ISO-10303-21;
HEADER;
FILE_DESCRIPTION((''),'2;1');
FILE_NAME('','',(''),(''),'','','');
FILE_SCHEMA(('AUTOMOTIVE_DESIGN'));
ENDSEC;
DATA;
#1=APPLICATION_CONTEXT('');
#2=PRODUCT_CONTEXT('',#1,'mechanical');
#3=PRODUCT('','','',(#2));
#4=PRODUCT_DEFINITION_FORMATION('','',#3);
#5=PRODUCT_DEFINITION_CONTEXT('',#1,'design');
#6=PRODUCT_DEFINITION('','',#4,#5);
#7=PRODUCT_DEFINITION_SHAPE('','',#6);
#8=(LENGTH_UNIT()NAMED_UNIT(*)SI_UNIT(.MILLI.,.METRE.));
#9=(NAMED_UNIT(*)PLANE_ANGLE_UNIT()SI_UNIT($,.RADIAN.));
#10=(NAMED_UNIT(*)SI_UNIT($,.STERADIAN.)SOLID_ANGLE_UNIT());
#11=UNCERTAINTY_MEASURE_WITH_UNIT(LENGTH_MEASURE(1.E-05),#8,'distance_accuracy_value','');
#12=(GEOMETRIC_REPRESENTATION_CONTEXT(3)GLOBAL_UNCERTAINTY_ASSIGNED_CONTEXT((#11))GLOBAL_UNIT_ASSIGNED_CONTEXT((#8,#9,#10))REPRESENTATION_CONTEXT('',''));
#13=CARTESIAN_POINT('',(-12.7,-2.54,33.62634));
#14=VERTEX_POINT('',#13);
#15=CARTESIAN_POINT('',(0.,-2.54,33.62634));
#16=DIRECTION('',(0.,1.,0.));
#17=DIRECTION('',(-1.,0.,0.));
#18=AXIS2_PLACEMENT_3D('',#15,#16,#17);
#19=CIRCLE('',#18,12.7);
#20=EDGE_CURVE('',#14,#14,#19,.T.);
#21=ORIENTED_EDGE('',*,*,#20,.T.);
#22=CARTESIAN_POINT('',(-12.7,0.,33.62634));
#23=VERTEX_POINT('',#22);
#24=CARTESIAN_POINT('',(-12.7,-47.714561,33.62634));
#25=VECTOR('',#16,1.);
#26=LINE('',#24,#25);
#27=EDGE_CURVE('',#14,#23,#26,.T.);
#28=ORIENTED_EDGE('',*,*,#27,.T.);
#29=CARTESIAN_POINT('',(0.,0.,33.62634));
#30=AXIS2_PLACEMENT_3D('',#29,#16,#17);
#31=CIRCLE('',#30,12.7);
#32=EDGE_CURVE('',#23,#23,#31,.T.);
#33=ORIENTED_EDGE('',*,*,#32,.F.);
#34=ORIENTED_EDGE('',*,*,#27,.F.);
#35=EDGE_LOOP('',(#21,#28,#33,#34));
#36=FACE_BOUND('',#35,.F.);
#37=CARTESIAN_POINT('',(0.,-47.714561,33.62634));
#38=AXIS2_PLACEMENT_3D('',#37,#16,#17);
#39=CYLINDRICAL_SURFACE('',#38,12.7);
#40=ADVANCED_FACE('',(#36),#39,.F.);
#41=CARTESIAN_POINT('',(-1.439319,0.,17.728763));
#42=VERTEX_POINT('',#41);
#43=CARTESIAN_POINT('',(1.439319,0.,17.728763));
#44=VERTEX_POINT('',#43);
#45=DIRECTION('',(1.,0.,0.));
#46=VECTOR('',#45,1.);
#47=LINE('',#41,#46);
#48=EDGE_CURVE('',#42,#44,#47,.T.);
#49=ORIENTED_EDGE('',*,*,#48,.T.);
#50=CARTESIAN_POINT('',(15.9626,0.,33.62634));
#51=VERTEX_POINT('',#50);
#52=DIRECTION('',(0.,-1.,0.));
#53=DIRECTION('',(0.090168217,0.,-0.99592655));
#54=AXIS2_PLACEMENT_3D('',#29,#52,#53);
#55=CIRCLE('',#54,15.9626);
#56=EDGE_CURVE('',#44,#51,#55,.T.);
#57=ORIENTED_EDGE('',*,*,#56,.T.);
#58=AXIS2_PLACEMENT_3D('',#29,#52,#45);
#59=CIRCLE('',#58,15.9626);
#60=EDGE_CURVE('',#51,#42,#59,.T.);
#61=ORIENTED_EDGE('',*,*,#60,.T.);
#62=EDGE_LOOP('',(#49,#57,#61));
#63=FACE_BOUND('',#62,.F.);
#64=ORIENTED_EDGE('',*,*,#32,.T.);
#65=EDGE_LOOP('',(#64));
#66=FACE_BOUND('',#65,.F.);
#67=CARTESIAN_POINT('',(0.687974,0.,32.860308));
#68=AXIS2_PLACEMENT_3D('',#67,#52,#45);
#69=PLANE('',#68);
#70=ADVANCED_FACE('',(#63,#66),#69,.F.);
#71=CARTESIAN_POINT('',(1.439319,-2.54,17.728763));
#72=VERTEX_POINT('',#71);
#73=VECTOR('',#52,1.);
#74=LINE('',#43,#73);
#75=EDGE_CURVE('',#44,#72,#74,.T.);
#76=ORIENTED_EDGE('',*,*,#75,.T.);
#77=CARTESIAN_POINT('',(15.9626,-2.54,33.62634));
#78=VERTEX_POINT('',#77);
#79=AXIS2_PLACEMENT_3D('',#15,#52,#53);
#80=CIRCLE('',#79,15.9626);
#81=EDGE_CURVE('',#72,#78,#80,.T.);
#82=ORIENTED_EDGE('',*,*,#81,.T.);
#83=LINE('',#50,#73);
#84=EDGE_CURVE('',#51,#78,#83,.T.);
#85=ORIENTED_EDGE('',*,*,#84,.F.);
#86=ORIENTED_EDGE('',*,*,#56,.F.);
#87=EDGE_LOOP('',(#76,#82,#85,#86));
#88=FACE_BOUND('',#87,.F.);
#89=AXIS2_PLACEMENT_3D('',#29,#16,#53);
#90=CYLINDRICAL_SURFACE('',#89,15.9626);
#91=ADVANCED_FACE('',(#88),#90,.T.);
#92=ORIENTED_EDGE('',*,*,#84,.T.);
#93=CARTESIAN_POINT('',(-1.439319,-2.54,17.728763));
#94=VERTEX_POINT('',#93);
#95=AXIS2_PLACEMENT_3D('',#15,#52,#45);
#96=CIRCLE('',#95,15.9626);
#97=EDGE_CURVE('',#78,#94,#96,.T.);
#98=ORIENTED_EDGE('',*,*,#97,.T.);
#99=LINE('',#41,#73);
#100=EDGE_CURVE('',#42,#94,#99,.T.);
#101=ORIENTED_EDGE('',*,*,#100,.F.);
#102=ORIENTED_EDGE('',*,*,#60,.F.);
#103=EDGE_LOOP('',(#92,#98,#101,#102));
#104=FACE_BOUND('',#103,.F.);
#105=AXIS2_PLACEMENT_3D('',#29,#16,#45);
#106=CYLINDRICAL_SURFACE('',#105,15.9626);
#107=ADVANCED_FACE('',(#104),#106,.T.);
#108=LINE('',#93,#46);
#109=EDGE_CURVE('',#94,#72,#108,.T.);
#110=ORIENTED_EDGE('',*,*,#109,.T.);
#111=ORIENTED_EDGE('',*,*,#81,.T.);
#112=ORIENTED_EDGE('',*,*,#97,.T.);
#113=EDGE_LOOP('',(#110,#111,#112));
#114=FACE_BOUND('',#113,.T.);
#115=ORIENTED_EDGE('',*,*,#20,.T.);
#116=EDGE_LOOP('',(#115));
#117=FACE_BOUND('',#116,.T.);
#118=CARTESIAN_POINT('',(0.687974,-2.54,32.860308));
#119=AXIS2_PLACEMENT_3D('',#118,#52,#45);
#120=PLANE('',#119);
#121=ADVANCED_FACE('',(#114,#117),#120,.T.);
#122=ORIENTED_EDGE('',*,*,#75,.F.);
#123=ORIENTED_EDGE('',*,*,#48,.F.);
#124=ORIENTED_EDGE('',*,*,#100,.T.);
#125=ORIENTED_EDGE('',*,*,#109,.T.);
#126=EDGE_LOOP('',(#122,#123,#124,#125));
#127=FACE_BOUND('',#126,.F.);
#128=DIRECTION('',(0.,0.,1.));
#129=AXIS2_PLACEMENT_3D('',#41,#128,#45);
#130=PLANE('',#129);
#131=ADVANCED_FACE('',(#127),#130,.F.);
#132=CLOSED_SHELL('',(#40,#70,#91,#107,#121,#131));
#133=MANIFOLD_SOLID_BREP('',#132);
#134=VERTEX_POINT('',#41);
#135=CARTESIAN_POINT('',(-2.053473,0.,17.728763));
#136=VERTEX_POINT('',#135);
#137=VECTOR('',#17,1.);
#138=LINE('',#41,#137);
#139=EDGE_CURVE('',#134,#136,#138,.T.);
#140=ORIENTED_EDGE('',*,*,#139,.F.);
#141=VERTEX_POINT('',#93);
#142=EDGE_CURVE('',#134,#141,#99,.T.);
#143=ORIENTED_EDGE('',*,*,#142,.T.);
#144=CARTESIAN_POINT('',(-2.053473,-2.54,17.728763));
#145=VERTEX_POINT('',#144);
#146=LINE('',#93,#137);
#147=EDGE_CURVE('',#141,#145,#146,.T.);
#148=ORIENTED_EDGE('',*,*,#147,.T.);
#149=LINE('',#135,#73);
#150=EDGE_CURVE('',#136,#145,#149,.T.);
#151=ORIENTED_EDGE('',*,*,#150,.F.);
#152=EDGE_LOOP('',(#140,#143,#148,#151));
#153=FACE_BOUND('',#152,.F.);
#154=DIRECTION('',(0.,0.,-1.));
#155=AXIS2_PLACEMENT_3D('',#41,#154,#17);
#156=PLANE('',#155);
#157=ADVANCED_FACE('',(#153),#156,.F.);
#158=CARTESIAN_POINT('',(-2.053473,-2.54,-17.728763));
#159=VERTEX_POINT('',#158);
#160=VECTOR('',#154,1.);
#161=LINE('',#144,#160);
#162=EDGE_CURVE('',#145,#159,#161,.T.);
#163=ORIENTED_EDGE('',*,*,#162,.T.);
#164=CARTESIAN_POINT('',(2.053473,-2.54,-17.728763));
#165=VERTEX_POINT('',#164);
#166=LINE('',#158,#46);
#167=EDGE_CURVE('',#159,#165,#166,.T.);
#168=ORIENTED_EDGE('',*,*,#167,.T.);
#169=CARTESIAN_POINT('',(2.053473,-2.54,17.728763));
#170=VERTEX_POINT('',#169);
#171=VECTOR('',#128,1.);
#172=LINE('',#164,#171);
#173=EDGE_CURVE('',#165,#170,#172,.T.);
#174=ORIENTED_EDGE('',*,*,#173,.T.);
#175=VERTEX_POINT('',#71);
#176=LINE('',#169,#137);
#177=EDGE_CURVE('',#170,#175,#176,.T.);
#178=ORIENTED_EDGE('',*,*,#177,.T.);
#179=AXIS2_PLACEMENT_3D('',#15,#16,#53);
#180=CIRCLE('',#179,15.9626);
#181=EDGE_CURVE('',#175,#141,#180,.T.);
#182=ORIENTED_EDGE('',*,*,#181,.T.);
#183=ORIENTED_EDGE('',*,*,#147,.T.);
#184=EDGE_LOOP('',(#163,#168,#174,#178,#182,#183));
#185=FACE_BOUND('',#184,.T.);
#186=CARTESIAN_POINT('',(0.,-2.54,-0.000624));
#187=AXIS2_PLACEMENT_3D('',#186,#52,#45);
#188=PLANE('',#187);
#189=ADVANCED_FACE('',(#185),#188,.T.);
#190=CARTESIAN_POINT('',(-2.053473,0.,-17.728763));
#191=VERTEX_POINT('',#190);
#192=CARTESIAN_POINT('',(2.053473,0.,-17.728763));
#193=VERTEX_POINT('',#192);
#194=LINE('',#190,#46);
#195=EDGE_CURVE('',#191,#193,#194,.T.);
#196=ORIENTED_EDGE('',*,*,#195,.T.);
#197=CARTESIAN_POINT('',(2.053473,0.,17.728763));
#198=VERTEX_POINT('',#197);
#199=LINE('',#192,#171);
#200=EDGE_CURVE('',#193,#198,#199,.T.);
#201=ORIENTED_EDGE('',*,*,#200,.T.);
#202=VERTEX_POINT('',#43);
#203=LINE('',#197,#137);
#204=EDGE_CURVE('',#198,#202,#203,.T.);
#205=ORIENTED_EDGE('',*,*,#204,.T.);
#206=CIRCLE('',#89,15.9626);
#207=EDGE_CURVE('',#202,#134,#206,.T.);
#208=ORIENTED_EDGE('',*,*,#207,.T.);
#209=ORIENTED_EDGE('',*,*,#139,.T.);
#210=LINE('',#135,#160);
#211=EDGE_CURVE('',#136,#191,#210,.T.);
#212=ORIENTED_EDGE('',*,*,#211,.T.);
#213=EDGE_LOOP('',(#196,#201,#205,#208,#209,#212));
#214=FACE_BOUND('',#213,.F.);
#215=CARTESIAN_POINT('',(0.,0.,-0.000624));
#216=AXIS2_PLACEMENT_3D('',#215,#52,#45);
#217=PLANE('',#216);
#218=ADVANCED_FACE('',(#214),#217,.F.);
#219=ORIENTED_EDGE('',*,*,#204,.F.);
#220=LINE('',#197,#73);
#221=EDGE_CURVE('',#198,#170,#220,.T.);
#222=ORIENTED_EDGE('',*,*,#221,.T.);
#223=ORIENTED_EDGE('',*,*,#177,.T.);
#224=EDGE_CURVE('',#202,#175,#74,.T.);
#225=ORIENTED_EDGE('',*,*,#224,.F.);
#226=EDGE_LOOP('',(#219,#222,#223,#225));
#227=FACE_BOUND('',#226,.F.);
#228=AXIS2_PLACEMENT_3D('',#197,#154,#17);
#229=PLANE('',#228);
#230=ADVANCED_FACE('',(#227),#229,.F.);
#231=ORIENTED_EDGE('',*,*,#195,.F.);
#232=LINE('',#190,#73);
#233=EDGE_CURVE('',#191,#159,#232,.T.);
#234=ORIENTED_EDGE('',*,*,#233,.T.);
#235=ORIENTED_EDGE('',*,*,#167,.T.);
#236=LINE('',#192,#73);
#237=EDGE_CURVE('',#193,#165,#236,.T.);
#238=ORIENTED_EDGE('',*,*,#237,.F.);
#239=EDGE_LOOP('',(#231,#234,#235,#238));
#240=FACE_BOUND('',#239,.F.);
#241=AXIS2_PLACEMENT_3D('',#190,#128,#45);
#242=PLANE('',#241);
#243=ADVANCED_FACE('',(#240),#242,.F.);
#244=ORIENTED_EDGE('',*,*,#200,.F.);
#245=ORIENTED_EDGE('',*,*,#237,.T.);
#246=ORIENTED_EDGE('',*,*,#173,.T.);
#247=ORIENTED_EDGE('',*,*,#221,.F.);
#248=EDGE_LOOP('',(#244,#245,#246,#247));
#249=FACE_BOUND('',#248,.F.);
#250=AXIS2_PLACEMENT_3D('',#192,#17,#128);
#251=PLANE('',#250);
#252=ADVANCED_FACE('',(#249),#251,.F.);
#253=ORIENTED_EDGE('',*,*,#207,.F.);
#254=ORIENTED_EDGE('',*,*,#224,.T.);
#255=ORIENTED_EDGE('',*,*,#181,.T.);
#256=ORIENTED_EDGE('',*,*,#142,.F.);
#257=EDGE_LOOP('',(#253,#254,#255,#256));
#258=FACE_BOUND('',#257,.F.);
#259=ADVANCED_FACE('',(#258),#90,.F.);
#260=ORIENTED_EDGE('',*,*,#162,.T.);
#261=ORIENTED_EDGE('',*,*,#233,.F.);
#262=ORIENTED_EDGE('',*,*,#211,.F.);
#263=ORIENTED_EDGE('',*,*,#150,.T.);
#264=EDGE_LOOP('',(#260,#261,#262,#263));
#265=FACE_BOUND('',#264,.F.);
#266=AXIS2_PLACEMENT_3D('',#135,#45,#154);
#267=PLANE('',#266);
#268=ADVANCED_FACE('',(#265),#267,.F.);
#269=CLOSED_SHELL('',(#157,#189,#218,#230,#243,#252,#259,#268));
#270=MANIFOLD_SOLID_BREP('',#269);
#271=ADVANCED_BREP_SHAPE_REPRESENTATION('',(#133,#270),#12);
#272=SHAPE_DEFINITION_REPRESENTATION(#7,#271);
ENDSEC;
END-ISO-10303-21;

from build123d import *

# Parameters (mm, degrees)
F1_DEPTH = 2.54
F3_D     = 25.4


with BuildPart() as f1:
    # F0 (on Front) → F1 (new body)
    with BuildSketch(Plane.XZ):
        with BuildLine():
            Line((-1.4393192273, 17.7287627012), (1.4393192273, 17.7287627012))
            ThreePointArc((1.4393192273, 17.7287627012), (11.785157871, 22.8599728714), (15.9626004865, 33.6263403296))
            ThreePointArc((15.9626004865, 33.6263403296), (-10.7663674583, 45.4114982007), (-1.4393192273, 17.7287627012))
        make_face()
    extrude(amount=F1_DEPTH)

    # F3 (through all)
    with Locations(Plane.XZ.offset(2.54)):
        with Locations((0, 33.6263403296)):
            Hole(F3_D / 2)


with BuildPart() as f1b:
    # F0 (on Front) → F1, piece 2 (new body)
    with BuildSketch(Plane.XZ):
        with BuildLine():
            Line((-2.0534733776, -17.7287627012), (2.0534733776, -17.7287627012))
            Line((2.0534733776, -17.7287627012), (2.0534733776, 17.7287627012))
            Line((2.0534733776, 17.7287627012), (1.4393192273, 17.7287627012))
            ThreePointArc((1.4393192273, 17.7287627012), (0, 17.6637398431), (-1.4393192273, 17.7287627012))
            Line((-1.4393192273, 17.7287627012), (-2.0534733776, 17.7287627012))
            Line((-2.0534733776, 17.7287627012), (-2.0534733776, -17.7287627012))
        make_face()
    extrude(amount=F1_DEPTH)


solid = Compound([f1.part, f1b.part])
